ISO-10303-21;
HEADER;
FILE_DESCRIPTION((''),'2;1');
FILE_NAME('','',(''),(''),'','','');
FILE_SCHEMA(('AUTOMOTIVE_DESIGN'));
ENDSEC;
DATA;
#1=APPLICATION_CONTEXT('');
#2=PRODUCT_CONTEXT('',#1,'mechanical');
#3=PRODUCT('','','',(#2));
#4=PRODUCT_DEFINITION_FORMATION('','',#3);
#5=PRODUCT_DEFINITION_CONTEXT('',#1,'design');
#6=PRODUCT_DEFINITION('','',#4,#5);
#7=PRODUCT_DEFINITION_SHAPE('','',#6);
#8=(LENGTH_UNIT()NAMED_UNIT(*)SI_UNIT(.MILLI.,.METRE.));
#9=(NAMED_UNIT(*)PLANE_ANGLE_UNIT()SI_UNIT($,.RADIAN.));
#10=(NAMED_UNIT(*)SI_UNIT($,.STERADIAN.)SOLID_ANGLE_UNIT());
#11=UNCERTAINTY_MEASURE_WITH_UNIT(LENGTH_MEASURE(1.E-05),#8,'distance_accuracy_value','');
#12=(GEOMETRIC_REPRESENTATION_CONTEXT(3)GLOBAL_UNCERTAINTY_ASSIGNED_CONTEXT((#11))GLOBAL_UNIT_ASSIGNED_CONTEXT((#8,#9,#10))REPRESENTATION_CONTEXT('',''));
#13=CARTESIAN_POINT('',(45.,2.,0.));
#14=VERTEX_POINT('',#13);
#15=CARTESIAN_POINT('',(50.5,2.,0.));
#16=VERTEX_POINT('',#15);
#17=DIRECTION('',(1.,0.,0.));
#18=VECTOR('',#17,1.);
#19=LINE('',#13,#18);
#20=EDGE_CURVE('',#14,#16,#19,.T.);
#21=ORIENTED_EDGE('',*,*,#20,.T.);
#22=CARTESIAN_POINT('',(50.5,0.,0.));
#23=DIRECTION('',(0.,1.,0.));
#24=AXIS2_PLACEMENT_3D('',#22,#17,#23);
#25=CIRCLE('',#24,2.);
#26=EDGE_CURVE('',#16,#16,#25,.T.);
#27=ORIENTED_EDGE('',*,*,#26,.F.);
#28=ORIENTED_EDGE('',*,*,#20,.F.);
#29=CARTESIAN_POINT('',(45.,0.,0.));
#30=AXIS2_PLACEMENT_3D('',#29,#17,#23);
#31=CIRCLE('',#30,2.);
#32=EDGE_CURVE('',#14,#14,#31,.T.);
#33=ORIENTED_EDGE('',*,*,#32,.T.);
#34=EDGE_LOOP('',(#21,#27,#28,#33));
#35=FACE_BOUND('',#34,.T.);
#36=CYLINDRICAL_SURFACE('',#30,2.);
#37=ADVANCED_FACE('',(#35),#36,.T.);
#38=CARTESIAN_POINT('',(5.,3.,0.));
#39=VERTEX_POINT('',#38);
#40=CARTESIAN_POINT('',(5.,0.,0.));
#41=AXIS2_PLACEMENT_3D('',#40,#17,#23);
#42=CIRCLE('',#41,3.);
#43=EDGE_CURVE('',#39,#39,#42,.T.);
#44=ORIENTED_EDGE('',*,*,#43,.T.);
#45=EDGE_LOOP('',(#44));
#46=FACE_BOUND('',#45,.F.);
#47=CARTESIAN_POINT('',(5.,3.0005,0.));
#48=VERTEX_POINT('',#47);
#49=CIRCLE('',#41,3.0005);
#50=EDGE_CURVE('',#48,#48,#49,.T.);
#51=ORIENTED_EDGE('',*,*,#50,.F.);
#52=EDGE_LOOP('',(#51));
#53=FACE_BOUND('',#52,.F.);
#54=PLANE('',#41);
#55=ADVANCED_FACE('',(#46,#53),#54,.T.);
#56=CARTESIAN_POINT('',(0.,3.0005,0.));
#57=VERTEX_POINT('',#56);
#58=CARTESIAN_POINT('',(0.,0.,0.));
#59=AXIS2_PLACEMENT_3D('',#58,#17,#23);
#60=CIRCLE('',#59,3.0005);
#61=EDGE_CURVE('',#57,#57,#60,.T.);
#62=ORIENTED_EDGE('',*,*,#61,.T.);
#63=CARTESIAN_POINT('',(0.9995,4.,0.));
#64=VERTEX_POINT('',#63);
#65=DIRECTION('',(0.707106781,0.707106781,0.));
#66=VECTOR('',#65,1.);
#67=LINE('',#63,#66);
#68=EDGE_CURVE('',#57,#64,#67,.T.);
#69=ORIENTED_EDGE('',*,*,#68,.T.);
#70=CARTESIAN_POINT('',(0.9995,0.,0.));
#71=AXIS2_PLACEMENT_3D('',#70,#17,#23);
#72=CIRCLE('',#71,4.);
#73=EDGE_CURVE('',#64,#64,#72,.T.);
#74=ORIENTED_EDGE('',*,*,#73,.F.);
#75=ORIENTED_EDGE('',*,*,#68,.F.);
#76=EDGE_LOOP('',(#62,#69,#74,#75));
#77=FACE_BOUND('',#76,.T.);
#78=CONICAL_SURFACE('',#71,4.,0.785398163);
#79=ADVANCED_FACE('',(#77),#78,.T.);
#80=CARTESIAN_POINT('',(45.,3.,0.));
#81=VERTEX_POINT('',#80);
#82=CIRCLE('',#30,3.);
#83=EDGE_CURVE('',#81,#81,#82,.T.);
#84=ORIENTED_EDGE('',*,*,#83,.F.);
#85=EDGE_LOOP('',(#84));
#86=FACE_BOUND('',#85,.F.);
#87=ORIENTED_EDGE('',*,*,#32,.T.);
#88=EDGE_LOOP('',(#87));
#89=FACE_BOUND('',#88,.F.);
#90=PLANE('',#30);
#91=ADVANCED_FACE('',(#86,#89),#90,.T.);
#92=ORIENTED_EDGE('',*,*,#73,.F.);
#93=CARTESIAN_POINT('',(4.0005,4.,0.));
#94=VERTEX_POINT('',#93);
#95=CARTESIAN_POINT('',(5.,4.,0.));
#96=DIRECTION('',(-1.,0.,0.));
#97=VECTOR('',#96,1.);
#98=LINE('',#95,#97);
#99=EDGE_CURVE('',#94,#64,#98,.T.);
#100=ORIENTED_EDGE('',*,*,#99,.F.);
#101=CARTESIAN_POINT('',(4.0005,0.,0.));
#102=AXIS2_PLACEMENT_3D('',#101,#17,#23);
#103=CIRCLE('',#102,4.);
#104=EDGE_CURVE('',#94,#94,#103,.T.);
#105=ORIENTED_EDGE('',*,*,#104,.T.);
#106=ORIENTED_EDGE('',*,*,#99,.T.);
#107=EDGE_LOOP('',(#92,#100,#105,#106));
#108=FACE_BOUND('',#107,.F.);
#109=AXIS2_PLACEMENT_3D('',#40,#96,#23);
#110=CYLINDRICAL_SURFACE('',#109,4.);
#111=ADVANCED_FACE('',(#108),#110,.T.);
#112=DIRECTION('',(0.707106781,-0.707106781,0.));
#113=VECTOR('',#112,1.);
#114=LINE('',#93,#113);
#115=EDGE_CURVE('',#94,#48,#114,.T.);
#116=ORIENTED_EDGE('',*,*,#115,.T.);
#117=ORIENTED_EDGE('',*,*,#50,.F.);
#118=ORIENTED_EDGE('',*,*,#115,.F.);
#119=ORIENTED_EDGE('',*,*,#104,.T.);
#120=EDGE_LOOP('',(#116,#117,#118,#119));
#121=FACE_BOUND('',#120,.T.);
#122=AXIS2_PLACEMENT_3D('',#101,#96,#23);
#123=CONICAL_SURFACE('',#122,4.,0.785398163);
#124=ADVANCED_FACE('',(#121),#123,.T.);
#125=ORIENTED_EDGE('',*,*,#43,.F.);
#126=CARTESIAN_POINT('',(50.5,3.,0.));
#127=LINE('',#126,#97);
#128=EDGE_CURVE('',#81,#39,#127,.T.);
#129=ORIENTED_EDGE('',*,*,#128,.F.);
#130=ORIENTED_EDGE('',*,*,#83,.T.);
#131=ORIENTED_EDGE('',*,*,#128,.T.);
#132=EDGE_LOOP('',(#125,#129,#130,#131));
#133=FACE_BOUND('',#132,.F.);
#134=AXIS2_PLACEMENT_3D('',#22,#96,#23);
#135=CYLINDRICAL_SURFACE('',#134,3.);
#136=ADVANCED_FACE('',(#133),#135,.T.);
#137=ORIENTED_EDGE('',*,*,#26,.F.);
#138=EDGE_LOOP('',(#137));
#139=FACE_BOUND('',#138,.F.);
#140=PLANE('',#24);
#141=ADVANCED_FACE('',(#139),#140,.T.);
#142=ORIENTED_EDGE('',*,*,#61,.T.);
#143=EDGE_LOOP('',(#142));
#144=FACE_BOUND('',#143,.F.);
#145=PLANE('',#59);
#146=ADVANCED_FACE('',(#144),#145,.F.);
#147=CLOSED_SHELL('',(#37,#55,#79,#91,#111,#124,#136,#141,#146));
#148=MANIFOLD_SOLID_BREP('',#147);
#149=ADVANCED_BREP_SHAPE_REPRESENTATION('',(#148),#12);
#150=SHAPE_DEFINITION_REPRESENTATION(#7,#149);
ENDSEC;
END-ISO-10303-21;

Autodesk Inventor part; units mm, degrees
ref_plane "YZ Plane" through (0, 0, 0) normal (1, 0, 0) x (0, 1, 0)
ref_plane "XZ Plane" through (0, 0, 0) normal (0, 1, 0) x (-1, 0, 0)
ref_plane "XY Plane" through (0, 0, 0) normal (0, 0, 1) x (1, 0, 0)
sketch "Sketch1" plane through (0, 0, 0) normal (0, 0, 1) x (1, 0, 0)
  line L0 (0, 0) -> (50.5, 0)
  line L1 (50.5, 0) -> (50.5, 3)
  line L2 (50.5, 3) -> (0, 3)
  line L3 (0, 3) -> (0, 0)
  line L4 (0, 0) -> (5, 0)
  line L5 (5, 0) -> (5, 4)
  line L6 (5, 4) -> (0, 4)
  line L7 (0, 4) -> (0, 0)
  line L8 (50.5, 0) -> (45, 0)
  line L9 (45, 0) -> (45, 2)
  line L10 (45, 2) -> (50.5, 2)
  line L11 (50.5, 2) -> (50.5, 0)
  line L12 (45, 2) -> (45, 3)
  point P0 (5, 3)
  dimension "d0" = 50.5
  dimension "d1" = 3
  dimension "d2" = 5
  dimension "d3" = 4
  dimension "d4" = 5.5
  dimension "d5" = 2
revolve "Revolution1" add sketch "Sketch1" angle 360 about axis through (0, 0, 0) along (1, 0, 0) contours L3 L2 L5 L0 | L5 L2 L12 L9 L0 | L7 L6 L5 L2 | L9 L10 L1 L0
chamfer "Chamfer1" distance 1 angle 45 2 edges at (5, -4, 0) (0, -4, 0)
properties part number "Hajtókar2"
